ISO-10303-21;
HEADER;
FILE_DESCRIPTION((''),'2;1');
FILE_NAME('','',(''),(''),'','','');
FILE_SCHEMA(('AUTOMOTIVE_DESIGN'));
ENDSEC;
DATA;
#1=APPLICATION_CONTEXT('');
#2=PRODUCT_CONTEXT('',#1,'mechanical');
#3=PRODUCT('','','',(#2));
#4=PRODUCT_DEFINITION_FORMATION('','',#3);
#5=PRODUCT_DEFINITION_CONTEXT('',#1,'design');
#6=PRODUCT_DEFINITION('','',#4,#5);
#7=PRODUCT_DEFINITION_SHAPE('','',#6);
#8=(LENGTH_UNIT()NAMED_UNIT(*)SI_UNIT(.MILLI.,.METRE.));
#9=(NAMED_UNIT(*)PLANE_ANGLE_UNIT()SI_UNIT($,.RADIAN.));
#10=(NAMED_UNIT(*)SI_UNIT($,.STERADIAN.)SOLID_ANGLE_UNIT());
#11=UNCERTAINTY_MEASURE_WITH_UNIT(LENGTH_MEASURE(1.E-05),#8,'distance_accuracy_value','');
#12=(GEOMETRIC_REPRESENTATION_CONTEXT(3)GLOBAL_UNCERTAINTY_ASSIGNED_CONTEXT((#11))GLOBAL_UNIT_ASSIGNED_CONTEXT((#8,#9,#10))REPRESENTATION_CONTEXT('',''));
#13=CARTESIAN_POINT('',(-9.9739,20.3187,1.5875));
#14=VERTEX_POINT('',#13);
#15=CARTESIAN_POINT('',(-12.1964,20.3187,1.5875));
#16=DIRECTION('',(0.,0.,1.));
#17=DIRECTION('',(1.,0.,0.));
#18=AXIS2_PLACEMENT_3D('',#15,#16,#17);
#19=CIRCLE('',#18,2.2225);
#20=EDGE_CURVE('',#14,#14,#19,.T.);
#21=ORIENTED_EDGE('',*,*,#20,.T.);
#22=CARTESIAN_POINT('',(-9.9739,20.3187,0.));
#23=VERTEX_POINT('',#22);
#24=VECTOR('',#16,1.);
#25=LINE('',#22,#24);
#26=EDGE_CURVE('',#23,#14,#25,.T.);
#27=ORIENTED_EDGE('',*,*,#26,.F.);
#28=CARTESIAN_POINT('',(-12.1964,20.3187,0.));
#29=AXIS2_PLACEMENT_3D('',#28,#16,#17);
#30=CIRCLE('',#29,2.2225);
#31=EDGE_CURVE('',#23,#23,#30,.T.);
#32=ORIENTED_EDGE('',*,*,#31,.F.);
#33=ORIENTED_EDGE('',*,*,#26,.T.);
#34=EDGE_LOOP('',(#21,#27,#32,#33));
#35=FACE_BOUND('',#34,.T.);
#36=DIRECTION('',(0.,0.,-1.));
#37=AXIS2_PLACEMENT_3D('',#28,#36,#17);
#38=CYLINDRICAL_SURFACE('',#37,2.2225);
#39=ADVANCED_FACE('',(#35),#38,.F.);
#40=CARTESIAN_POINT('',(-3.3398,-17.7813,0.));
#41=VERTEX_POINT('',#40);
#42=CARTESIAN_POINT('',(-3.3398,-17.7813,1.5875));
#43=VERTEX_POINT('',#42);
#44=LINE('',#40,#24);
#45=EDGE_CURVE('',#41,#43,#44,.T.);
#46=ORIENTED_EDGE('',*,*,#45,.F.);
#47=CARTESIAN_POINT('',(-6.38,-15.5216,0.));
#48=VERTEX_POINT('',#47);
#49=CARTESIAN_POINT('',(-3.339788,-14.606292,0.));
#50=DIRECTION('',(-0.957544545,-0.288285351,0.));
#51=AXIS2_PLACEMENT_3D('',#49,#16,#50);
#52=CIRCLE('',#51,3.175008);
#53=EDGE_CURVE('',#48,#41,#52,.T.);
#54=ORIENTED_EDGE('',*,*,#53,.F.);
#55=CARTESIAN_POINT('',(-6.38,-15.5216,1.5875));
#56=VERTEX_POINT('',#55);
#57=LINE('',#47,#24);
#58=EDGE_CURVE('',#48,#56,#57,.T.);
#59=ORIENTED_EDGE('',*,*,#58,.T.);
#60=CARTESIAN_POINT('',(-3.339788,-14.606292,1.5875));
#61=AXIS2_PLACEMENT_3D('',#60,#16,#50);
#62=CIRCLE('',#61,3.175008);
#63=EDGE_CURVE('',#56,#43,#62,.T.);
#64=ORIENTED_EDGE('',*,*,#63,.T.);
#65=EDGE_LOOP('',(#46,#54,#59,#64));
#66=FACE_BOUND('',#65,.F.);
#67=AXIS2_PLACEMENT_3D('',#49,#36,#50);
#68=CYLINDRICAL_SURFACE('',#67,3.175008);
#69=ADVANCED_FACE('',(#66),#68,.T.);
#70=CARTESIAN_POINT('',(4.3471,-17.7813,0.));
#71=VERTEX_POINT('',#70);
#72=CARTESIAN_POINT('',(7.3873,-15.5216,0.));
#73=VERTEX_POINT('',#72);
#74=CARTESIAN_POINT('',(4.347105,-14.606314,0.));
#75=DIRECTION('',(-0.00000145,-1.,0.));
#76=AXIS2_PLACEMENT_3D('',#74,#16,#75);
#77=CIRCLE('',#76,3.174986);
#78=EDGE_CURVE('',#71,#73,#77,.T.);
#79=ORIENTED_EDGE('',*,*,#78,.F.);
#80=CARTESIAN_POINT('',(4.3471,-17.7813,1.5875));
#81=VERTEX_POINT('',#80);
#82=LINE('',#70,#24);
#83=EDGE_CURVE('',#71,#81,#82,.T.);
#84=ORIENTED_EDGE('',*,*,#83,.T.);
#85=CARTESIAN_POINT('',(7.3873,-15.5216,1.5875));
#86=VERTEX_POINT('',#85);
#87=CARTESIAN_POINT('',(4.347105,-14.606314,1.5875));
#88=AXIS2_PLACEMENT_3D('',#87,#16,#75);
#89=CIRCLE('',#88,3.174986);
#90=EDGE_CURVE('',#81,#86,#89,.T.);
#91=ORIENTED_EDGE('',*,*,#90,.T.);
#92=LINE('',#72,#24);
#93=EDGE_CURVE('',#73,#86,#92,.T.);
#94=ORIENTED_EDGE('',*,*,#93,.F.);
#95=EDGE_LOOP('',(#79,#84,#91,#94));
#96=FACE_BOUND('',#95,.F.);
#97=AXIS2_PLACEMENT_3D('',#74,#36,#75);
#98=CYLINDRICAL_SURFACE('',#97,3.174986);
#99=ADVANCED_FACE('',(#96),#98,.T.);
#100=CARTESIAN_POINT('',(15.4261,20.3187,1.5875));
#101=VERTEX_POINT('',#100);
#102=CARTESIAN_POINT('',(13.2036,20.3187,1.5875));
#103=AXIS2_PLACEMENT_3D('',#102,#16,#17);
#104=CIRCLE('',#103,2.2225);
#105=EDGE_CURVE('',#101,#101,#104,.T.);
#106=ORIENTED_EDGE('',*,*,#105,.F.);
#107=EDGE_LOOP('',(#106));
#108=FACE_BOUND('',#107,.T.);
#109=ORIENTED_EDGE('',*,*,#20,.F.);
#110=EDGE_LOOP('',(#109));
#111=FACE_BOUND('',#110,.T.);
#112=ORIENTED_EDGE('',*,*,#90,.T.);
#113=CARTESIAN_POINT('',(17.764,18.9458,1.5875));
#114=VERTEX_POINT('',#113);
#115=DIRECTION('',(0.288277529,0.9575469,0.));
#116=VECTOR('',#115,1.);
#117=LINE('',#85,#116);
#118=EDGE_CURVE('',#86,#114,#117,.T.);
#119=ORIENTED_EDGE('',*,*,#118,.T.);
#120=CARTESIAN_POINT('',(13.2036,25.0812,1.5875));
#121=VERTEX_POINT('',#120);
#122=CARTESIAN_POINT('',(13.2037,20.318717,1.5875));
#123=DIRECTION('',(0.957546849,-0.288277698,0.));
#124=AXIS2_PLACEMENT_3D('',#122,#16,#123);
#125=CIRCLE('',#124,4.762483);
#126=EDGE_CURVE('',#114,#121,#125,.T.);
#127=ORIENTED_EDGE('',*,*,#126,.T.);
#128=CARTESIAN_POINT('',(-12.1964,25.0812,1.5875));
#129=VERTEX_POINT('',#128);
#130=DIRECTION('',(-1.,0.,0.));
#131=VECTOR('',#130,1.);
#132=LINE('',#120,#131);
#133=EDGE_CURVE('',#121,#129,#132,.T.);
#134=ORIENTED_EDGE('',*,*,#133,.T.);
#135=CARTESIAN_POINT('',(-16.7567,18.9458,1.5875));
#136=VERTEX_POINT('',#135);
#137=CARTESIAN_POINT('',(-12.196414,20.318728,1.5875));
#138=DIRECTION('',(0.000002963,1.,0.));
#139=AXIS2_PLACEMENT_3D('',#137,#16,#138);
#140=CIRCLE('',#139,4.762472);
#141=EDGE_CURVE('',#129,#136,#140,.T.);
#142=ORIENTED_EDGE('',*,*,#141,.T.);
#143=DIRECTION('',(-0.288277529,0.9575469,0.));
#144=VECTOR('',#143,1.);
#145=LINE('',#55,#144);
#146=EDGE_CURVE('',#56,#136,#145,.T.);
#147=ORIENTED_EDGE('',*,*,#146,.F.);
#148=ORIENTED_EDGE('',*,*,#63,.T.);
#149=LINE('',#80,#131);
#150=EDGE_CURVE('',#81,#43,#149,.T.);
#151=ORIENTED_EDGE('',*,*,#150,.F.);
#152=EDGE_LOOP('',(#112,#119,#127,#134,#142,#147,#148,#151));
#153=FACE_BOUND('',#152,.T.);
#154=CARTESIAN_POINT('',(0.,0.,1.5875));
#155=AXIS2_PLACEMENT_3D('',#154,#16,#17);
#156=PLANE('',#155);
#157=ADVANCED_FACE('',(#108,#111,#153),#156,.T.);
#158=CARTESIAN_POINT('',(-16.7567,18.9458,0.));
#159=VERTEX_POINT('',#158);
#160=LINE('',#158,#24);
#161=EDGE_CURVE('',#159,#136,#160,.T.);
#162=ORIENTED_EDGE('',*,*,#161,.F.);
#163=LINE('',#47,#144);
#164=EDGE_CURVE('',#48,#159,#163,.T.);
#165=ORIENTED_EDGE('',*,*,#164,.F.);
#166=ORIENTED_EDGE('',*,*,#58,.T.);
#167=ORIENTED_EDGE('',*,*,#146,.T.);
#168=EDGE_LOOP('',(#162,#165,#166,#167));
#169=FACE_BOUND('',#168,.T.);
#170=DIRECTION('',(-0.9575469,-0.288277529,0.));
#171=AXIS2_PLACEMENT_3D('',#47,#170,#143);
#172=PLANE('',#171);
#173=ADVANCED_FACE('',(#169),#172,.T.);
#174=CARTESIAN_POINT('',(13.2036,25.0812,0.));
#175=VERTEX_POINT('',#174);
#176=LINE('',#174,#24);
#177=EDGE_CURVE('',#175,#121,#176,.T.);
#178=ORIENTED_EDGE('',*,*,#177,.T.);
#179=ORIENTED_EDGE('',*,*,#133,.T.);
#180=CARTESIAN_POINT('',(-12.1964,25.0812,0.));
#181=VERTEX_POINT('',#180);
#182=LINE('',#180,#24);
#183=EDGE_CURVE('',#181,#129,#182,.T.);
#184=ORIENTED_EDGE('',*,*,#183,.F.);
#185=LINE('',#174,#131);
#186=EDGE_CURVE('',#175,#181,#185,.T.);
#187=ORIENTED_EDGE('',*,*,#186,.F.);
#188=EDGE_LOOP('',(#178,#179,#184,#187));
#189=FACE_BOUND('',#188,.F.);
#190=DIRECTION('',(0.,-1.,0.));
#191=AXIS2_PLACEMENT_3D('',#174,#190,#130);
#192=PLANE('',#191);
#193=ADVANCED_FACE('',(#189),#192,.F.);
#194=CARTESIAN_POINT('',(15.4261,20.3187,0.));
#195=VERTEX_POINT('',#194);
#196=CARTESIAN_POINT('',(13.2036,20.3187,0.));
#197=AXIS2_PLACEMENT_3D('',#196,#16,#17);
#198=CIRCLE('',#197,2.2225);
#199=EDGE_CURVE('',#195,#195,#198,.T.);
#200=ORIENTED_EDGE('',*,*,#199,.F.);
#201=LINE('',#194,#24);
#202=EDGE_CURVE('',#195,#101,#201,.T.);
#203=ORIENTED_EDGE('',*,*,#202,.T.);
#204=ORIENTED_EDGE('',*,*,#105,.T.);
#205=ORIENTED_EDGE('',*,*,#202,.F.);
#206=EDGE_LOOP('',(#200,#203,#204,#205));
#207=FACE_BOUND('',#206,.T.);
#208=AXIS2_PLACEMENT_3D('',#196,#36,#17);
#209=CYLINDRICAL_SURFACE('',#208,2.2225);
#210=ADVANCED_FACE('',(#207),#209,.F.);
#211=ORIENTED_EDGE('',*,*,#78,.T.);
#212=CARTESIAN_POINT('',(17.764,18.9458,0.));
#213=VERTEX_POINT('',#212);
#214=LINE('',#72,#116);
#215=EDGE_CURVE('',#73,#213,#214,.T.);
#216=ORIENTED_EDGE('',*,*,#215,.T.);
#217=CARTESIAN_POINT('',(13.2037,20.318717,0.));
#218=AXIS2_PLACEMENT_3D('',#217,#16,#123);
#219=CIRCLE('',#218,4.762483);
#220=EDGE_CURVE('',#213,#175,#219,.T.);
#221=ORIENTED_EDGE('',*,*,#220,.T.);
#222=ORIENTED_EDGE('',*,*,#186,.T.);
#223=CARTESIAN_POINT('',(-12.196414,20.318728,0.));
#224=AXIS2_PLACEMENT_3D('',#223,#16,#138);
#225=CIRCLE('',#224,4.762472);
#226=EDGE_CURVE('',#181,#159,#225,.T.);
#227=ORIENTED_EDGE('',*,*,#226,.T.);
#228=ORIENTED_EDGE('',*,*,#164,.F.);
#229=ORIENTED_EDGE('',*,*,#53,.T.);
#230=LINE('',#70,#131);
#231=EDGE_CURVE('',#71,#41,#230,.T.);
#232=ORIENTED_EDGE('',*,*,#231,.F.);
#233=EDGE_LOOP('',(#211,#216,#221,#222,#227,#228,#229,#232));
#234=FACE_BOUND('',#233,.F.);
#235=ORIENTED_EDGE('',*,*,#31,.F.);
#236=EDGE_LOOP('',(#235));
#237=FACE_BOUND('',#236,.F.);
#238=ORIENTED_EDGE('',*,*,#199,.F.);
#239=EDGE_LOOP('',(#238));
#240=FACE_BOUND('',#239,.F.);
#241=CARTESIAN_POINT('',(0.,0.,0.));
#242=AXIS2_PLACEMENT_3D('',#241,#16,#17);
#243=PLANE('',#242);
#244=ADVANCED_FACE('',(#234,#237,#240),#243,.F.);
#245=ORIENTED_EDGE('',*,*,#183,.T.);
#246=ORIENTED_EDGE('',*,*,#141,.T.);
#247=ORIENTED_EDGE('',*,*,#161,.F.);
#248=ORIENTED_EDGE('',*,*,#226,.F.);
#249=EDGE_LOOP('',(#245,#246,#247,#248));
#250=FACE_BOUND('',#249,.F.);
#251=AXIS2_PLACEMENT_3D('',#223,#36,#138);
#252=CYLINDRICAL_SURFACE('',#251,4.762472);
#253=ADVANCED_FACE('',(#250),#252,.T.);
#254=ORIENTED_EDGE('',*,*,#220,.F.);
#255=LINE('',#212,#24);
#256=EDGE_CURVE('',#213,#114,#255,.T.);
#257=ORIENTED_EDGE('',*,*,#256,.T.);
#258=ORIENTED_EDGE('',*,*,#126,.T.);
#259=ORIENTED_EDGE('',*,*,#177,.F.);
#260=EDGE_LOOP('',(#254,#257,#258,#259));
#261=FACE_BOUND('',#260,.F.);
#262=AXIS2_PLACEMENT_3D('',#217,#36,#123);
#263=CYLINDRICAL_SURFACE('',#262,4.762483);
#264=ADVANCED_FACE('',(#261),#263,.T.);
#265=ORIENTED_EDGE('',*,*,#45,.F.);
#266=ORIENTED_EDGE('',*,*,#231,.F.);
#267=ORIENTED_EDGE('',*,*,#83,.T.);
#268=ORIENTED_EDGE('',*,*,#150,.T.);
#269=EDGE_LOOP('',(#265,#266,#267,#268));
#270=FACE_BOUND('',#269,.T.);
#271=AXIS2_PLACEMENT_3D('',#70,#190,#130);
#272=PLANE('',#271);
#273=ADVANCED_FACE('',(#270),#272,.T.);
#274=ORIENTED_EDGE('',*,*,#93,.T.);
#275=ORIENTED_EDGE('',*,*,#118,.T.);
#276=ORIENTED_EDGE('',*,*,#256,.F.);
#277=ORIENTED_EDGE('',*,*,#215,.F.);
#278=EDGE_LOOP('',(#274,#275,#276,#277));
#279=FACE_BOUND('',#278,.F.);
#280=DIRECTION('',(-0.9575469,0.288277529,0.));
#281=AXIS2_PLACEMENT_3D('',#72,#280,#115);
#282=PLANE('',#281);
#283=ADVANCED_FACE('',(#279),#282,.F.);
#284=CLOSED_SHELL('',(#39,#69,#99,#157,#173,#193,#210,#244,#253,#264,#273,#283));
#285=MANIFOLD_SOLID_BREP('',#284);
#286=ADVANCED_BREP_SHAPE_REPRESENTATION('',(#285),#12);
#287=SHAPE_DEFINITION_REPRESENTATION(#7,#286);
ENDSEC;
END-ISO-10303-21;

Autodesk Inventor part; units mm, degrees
ref_plane "YZ Plane" through (0, 0, 0) normal (1, 0, 0) x (0, 1, 0)
ref_plane "XZ Plane" through (0, 0, 0) normal (0, 1, 0) x (-1, 0, 0)
ref_plane "XY Plane" through (0, 0, 0) normal (0, 0, 1) x (1, 0, 0)
sketch "Sketch1" plane through (0, 0, 0) normal (0, 0, 1) x (1, 0, 0)
  circle A0 centre (13.2036, 20.3187) radius 2.2225
  circle A1 centre (-12.1964, 20.3187) radius 2.2225
  arc A2 (17.764, 18.9458) -> (13.2036, 25.0812) centre (13.2036, 20.3187) ccw
  arc A3 (-12.1964, 25.0812) -> (-16.7567, 18.9458) centre (-12.1964, 20.3187) ccw
  line L0 (13.2036, 25.0812) -> (-12.1964, 25.0812)
  line L1 (7.3873, -15.5216) -> (17.764, 18.9458)
  line L2 (4.3471, -17.7813) -> (-3.3398, -17.7813)
  line L3 (-6.38, -15.5216) -> (-16.7567, 18.9458)
  arc A4 (4.3471, -17.7813) -> (7.3873, -15.5216) centre (4.3471, -14.6063) ccw
  arc A5 (-6.38, -15.5216) -> (-3.3398, -17.7813) centre (-3.3398, -14.6063) ccw
  point P0 (0, 0)
  point P1 (6.707, -17.7813)
  dimension "d0" = 38.1
  dimension "d1" = 3.175
  dimension "d2" = 4.7625
  dimension "d3" = 4.7625
extrude "Extrusion1" add sketch "Sketch1" along normal blind 1.5875
properties part number "hoook_gusset" material "Acetal Resin, White"
